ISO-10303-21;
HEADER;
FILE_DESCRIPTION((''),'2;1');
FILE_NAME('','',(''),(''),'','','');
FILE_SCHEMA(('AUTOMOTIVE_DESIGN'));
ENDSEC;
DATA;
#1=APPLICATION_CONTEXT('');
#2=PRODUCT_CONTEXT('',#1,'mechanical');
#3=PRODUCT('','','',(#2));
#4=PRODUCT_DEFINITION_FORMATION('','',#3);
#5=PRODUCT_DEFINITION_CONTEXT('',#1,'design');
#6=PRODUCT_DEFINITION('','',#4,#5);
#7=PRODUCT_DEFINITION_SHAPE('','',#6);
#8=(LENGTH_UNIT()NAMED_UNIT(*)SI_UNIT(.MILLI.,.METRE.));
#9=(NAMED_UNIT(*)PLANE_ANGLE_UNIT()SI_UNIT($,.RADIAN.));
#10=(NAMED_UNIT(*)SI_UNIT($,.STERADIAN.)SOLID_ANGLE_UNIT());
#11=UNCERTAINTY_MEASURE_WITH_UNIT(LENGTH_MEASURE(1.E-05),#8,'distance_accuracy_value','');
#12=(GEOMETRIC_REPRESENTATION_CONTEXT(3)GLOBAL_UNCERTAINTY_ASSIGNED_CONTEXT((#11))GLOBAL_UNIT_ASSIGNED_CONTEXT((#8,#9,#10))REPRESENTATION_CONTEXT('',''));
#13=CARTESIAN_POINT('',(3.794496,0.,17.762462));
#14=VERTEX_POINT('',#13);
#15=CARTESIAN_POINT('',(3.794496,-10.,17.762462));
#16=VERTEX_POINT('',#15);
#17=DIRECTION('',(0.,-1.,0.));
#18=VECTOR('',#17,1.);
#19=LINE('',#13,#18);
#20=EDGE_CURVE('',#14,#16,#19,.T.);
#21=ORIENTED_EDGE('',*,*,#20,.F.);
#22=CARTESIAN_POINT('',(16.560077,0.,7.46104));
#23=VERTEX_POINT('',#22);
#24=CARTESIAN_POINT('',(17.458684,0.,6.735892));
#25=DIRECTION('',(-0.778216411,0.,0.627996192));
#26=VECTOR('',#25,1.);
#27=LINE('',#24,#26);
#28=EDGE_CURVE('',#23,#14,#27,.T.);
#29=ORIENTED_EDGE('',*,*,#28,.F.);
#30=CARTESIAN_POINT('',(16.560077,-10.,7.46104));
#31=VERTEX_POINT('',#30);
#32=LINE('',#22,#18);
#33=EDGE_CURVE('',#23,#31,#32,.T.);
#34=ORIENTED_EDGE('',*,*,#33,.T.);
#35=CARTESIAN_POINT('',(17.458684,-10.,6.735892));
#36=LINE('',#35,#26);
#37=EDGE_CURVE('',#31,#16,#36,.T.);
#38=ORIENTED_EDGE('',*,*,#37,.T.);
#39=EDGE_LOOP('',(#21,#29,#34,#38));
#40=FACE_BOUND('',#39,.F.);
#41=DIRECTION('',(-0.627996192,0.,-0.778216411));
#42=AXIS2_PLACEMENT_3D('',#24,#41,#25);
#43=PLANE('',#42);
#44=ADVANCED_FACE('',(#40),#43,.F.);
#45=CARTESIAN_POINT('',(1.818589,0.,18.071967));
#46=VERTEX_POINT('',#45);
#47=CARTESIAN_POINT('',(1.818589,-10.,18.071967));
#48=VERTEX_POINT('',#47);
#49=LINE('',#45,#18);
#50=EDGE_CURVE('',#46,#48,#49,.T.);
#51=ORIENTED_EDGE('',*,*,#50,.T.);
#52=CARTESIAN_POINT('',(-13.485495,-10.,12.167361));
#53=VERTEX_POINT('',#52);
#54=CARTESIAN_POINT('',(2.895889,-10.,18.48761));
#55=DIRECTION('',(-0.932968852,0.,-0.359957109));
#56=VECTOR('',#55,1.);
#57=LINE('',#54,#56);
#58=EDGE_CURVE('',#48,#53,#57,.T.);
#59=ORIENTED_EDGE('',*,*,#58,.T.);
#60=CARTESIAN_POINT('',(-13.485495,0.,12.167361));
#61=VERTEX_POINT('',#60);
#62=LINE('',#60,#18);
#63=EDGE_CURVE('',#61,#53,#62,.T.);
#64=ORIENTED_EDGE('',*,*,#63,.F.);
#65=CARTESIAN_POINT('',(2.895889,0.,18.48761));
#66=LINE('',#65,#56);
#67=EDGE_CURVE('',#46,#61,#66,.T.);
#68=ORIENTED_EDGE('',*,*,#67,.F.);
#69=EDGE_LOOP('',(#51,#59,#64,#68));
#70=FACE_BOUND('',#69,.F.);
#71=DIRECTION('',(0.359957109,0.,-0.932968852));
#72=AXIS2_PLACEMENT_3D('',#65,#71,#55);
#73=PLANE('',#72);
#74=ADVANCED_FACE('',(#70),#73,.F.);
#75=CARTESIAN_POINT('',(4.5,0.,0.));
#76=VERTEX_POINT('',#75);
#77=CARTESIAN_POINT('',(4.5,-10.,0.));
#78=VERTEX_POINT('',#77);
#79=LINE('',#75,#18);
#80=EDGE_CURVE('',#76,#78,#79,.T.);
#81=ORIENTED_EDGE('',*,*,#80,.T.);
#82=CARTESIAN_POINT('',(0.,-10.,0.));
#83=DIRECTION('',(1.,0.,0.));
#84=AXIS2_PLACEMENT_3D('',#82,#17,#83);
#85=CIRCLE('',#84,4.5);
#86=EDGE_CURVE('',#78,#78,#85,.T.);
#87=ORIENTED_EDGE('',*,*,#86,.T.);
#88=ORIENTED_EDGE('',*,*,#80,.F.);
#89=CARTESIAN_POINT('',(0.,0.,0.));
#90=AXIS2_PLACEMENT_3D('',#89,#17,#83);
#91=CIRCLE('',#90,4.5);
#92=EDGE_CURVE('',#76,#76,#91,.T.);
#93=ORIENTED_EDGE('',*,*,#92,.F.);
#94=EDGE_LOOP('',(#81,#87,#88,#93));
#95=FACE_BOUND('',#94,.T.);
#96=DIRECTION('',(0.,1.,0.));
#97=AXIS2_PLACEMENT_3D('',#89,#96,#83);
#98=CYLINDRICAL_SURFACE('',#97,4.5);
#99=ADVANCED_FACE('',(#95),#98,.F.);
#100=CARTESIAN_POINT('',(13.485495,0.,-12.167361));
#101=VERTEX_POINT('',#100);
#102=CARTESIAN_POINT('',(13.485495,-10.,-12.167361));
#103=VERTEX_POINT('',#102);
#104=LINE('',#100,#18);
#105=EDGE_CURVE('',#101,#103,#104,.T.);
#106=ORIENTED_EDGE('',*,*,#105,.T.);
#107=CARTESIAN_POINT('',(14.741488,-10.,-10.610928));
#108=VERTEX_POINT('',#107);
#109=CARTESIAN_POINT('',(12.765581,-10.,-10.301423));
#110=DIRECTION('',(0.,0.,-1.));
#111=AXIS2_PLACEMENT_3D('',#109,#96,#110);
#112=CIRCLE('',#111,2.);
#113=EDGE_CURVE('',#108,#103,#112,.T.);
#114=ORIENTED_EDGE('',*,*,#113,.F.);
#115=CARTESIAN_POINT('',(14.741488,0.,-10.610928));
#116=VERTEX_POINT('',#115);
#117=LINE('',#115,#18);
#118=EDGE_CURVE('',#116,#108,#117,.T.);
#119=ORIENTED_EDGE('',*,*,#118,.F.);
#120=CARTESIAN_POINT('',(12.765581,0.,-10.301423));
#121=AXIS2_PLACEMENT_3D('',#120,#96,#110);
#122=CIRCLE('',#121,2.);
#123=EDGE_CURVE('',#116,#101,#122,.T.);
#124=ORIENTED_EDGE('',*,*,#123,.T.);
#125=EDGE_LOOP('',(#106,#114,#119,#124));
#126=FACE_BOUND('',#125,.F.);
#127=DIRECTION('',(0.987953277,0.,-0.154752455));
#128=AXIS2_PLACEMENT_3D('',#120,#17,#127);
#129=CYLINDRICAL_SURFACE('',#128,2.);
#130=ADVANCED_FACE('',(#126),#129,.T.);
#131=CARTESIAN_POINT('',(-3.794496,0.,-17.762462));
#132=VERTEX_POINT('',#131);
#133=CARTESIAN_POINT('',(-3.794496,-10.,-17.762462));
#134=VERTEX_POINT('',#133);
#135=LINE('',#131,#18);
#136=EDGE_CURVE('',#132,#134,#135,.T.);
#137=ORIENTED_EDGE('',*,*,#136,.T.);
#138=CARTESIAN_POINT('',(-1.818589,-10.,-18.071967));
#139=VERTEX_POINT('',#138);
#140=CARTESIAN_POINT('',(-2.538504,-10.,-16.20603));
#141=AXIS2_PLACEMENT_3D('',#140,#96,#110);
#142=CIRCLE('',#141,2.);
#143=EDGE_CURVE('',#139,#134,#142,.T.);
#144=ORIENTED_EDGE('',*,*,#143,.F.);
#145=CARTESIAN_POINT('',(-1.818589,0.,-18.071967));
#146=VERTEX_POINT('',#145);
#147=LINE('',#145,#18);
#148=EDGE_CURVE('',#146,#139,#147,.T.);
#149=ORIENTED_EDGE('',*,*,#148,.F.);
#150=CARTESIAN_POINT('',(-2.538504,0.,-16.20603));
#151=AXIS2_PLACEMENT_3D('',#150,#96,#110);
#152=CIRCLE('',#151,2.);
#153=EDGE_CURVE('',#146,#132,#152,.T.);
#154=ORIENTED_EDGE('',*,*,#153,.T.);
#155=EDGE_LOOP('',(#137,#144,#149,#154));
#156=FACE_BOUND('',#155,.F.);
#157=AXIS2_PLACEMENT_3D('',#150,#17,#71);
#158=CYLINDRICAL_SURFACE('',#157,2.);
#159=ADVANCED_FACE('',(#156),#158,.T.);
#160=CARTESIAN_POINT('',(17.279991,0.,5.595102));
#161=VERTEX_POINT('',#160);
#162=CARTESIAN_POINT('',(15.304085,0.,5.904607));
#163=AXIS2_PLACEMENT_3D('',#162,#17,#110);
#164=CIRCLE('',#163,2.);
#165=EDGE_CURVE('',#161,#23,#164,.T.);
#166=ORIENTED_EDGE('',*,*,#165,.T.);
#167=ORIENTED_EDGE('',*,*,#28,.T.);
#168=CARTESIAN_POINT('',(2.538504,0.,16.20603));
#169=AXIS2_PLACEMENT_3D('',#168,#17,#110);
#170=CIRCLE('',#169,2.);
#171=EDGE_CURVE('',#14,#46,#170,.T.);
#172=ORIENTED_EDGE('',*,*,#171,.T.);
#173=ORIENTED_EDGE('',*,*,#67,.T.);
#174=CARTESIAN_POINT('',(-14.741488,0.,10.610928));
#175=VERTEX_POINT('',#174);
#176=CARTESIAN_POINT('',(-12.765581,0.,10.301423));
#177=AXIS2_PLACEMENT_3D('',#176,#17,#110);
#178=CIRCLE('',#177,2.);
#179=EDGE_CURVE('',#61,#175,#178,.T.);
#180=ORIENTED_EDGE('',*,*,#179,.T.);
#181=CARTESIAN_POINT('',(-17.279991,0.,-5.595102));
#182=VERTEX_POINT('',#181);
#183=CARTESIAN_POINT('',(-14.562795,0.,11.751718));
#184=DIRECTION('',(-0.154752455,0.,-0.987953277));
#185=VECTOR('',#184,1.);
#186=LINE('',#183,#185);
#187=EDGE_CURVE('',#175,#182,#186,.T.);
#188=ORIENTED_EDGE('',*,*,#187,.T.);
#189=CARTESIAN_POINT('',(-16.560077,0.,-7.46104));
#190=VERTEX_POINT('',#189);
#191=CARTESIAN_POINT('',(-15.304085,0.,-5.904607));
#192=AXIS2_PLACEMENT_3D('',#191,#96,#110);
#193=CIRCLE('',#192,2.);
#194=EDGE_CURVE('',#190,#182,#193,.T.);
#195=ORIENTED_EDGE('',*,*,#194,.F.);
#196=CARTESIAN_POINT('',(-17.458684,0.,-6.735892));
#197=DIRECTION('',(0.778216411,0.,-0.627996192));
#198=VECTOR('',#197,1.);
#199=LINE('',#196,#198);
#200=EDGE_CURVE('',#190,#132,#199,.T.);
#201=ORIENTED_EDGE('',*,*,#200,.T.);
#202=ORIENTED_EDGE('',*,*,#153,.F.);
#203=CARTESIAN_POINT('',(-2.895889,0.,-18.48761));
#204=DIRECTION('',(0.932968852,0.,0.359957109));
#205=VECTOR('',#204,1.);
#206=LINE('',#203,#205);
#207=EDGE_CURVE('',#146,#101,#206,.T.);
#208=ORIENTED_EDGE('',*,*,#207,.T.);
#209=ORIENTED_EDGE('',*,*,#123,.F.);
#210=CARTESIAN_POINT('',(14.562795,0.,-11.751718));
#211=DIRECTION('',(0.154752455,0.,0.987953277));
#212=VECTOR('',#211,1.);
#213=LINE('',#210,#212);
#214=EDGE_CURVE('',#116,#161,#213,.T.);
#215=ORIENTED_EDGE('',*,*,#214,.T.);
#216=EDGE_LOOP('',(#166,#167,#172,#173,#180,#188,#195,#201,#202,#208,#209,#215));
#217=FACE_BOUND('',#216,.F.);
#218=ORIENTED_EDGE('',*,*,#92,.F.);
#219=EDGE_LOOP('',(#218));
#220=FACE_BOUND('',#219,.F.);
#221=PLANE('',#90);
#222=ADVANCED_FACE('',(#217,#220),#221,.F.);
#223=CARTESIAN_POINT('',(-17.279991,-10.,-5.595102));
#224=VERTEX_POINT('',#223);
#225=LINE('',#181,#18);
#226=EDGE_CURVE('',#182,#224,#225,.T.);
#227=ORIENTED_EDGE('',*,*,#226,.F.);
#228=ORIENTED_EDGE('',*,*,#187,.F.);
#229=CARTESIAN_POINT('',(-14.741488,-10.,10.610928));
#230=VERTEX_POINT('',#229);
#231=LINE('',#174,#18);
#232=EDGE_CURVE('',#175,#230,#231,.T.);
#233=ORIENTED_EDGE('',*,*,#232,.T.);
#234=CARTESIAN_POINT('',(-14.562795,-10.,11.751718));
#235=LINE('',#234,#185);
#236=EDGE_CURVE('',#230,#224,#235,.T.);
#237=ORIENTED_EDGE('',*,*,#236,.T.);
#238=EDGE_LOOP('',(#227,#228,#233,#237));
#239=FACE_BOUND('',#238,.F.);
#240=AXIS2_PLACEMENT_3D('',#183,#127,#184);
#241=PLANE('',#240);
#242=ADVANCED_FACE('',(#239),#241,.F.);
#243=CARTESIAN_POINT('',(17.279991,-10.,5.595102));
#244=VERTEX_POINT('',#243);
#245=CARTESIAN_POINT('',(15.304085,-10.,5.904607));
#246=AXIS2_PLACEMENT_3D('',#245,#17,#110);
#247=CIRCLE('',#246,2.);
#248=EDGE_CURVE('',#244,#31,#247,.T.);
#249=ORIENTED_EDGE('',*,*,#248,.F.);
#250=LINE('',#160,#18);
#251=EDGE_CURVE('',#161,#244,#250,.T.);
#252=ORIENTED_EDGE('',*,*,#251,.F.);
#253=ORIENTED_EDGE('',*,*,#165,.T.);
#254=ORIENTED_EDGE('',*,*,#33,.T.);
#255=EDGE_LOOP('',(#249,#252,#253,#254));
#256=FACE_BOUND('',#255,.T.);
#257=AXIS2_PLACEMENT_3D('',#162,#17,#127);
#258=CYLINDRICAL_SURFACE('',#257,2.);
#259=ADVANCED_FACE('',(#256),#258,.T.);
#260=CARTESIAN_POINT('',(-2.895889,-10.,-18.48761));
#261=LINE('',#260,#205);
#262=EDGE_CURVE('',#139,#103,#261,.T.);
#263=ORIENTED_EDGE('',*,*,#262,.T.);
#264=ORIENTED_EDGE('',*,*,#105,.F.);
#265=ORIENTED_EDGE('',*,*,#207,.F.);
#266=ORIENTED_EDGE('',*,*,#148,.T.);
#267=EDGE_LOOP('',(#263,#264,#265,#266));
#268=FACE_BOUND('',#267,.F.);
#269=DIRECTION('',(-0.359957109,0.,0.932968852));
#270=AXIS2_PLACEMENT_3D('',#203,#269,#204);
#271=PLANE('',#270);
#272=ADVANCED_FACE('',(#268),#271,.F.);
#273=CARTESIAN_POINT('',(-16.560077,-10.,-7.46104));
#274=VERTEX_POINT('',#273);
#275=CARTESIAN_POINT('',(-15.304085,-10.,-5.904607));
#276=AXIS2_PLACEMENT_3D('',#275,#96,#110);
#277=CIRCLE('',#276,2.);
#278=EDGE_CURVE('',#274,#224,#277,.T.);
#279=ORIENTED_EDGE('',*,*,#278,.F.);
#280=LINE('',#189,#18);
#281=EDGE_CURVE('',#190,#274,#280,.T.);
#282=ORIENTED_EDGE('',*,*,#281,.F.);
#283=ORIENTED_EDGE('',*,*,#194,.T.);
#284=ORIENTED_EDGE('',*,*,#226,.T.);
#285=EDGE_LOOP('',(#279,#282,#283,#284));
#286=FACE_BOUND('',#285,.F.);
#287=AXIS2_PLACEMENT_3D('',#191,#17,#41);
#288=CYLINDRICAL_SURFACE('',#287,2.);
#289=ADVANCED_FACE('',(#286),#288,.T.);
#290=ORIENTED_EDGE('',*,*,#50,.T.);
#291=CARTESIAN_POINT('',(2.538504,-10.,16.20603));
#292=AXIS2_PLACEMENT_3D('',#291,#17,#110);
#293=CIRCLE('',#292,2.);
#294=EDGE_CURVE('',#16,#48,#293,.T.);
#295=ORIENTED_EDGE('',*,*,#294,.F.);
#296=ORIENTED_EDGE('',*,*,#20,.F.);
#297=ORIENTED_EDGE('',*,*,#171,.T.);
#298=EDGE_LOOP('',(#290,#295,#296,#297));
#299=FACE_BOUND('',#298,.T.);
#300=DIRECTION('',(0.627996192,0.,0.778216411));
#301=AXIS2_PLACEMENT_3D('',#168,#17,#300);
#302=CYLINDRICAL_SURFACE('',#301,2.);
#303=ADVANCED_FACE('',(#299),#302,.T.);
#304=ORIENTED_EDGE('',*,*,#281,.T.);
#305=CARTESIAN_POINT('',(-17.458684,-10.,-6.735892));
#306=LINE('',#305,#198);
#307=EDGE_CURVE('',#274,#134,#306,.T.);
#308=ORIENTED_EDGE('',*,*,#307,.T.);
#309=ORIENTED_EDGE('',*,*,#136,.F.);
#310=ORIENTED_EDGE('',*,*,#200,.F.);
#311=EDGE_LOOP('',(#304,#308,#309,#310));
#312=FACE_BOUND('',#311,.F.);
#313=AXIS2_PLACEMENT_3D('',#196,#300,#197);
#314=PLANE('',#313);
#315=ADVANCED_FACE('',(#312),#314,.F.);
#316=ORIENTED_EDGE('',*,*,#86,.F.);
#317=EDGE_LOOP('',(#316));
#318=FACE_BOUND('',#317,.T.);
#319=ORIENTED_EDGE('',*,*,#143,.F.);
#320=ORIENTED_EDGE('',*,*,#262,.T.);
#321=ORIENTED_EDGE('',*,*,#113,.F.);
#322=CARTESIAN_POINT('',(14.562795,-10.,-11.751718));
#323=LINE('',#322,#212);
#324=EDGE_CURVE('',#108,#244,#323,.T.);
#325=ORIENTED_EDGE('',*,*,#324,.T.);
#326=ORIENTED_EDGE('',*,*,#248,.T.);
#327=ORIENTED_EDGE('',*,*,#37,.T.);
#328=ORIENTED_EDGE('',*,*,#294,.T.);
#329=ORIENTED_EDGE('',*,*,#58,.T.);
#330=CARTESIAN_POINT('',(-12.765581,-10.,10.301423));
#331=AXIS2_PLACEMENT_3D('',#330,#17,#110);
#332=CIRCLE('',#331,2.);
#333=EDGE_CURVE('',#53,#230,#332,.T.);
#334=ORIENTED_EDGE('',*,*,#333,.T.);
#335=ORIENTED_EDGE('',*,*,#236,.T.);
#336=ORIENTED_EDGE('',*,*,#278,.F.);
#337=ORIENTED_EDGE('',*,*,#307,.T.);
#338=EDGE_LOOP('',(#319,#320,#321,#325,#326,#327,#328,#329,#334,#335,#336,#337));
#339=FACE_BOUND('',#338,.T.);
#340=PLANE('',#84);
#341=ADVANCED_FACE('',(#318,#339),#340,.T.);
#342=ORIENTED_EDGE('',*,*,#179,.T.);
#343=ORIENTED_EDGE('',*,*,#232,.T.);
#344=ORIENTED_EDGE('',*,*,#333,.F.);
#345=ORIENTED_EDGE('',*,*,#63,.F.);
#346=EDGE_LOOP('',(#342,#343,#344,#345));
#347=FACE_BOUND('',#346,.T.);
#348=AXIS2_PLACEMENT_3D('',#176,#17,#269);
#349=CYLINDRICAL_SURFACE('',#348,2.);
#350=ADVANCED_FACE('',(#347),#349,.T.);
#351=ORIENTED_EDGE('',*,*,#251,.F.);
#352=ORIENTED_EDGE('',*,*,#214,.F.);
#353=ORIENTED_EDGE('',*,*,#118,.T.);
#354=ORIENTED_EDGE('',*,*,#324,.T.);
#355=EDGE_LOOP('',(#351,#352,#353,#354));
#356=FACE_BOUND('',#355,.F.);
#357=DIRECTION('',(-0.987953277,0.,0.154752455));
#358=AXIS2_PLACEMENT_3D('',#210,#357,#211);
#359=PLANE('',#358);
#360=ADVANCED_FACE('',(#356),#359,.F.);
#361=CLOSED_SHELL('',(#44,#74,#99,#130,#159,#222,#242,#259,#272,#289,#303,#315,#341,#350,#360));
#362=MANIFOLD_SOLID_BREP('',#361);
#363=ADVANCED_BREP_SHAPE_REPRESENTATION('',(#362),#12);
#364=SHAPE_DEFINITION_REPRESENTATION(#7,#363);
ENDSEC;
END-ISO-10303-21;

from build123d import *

# Parameters (mm, degrees)
F0_R     = 4.5
F1_DEPTH = 10
F2_R     = 2


with BuildPart() as f1:
    # F0 (on Front) → F1 (new body)
    with BuildSketch(Plane.XZ):
        Polygon((14.562795, -11.751718), (17.458684, 6.735892), (2.895889, 18.48761), (-14.562795, 11.751718), (-17.458684, -6.735892), (-2.895889, -18.48761), align=None)
        Circle(F0_R, mode=Mode.SUBTRACT)
    extrude(amount=F1_DEPTH)

    # F2
    f2_edges = [f1.edges().sort_by_distance(p)[0] for p in [
        (2.895889, -5, 18.48761),
        (17.458684, -5, 6.735892),
        (14.562795, -5, -11.751718),
        (-2.895889, -5, -18.48761),
        (-17.458684, -5, -6.735892),
        (-14.562795, -5, 11.751718),
    ]]
    fillet(f2_edges, radius=F2_R)


solid = f1.part
